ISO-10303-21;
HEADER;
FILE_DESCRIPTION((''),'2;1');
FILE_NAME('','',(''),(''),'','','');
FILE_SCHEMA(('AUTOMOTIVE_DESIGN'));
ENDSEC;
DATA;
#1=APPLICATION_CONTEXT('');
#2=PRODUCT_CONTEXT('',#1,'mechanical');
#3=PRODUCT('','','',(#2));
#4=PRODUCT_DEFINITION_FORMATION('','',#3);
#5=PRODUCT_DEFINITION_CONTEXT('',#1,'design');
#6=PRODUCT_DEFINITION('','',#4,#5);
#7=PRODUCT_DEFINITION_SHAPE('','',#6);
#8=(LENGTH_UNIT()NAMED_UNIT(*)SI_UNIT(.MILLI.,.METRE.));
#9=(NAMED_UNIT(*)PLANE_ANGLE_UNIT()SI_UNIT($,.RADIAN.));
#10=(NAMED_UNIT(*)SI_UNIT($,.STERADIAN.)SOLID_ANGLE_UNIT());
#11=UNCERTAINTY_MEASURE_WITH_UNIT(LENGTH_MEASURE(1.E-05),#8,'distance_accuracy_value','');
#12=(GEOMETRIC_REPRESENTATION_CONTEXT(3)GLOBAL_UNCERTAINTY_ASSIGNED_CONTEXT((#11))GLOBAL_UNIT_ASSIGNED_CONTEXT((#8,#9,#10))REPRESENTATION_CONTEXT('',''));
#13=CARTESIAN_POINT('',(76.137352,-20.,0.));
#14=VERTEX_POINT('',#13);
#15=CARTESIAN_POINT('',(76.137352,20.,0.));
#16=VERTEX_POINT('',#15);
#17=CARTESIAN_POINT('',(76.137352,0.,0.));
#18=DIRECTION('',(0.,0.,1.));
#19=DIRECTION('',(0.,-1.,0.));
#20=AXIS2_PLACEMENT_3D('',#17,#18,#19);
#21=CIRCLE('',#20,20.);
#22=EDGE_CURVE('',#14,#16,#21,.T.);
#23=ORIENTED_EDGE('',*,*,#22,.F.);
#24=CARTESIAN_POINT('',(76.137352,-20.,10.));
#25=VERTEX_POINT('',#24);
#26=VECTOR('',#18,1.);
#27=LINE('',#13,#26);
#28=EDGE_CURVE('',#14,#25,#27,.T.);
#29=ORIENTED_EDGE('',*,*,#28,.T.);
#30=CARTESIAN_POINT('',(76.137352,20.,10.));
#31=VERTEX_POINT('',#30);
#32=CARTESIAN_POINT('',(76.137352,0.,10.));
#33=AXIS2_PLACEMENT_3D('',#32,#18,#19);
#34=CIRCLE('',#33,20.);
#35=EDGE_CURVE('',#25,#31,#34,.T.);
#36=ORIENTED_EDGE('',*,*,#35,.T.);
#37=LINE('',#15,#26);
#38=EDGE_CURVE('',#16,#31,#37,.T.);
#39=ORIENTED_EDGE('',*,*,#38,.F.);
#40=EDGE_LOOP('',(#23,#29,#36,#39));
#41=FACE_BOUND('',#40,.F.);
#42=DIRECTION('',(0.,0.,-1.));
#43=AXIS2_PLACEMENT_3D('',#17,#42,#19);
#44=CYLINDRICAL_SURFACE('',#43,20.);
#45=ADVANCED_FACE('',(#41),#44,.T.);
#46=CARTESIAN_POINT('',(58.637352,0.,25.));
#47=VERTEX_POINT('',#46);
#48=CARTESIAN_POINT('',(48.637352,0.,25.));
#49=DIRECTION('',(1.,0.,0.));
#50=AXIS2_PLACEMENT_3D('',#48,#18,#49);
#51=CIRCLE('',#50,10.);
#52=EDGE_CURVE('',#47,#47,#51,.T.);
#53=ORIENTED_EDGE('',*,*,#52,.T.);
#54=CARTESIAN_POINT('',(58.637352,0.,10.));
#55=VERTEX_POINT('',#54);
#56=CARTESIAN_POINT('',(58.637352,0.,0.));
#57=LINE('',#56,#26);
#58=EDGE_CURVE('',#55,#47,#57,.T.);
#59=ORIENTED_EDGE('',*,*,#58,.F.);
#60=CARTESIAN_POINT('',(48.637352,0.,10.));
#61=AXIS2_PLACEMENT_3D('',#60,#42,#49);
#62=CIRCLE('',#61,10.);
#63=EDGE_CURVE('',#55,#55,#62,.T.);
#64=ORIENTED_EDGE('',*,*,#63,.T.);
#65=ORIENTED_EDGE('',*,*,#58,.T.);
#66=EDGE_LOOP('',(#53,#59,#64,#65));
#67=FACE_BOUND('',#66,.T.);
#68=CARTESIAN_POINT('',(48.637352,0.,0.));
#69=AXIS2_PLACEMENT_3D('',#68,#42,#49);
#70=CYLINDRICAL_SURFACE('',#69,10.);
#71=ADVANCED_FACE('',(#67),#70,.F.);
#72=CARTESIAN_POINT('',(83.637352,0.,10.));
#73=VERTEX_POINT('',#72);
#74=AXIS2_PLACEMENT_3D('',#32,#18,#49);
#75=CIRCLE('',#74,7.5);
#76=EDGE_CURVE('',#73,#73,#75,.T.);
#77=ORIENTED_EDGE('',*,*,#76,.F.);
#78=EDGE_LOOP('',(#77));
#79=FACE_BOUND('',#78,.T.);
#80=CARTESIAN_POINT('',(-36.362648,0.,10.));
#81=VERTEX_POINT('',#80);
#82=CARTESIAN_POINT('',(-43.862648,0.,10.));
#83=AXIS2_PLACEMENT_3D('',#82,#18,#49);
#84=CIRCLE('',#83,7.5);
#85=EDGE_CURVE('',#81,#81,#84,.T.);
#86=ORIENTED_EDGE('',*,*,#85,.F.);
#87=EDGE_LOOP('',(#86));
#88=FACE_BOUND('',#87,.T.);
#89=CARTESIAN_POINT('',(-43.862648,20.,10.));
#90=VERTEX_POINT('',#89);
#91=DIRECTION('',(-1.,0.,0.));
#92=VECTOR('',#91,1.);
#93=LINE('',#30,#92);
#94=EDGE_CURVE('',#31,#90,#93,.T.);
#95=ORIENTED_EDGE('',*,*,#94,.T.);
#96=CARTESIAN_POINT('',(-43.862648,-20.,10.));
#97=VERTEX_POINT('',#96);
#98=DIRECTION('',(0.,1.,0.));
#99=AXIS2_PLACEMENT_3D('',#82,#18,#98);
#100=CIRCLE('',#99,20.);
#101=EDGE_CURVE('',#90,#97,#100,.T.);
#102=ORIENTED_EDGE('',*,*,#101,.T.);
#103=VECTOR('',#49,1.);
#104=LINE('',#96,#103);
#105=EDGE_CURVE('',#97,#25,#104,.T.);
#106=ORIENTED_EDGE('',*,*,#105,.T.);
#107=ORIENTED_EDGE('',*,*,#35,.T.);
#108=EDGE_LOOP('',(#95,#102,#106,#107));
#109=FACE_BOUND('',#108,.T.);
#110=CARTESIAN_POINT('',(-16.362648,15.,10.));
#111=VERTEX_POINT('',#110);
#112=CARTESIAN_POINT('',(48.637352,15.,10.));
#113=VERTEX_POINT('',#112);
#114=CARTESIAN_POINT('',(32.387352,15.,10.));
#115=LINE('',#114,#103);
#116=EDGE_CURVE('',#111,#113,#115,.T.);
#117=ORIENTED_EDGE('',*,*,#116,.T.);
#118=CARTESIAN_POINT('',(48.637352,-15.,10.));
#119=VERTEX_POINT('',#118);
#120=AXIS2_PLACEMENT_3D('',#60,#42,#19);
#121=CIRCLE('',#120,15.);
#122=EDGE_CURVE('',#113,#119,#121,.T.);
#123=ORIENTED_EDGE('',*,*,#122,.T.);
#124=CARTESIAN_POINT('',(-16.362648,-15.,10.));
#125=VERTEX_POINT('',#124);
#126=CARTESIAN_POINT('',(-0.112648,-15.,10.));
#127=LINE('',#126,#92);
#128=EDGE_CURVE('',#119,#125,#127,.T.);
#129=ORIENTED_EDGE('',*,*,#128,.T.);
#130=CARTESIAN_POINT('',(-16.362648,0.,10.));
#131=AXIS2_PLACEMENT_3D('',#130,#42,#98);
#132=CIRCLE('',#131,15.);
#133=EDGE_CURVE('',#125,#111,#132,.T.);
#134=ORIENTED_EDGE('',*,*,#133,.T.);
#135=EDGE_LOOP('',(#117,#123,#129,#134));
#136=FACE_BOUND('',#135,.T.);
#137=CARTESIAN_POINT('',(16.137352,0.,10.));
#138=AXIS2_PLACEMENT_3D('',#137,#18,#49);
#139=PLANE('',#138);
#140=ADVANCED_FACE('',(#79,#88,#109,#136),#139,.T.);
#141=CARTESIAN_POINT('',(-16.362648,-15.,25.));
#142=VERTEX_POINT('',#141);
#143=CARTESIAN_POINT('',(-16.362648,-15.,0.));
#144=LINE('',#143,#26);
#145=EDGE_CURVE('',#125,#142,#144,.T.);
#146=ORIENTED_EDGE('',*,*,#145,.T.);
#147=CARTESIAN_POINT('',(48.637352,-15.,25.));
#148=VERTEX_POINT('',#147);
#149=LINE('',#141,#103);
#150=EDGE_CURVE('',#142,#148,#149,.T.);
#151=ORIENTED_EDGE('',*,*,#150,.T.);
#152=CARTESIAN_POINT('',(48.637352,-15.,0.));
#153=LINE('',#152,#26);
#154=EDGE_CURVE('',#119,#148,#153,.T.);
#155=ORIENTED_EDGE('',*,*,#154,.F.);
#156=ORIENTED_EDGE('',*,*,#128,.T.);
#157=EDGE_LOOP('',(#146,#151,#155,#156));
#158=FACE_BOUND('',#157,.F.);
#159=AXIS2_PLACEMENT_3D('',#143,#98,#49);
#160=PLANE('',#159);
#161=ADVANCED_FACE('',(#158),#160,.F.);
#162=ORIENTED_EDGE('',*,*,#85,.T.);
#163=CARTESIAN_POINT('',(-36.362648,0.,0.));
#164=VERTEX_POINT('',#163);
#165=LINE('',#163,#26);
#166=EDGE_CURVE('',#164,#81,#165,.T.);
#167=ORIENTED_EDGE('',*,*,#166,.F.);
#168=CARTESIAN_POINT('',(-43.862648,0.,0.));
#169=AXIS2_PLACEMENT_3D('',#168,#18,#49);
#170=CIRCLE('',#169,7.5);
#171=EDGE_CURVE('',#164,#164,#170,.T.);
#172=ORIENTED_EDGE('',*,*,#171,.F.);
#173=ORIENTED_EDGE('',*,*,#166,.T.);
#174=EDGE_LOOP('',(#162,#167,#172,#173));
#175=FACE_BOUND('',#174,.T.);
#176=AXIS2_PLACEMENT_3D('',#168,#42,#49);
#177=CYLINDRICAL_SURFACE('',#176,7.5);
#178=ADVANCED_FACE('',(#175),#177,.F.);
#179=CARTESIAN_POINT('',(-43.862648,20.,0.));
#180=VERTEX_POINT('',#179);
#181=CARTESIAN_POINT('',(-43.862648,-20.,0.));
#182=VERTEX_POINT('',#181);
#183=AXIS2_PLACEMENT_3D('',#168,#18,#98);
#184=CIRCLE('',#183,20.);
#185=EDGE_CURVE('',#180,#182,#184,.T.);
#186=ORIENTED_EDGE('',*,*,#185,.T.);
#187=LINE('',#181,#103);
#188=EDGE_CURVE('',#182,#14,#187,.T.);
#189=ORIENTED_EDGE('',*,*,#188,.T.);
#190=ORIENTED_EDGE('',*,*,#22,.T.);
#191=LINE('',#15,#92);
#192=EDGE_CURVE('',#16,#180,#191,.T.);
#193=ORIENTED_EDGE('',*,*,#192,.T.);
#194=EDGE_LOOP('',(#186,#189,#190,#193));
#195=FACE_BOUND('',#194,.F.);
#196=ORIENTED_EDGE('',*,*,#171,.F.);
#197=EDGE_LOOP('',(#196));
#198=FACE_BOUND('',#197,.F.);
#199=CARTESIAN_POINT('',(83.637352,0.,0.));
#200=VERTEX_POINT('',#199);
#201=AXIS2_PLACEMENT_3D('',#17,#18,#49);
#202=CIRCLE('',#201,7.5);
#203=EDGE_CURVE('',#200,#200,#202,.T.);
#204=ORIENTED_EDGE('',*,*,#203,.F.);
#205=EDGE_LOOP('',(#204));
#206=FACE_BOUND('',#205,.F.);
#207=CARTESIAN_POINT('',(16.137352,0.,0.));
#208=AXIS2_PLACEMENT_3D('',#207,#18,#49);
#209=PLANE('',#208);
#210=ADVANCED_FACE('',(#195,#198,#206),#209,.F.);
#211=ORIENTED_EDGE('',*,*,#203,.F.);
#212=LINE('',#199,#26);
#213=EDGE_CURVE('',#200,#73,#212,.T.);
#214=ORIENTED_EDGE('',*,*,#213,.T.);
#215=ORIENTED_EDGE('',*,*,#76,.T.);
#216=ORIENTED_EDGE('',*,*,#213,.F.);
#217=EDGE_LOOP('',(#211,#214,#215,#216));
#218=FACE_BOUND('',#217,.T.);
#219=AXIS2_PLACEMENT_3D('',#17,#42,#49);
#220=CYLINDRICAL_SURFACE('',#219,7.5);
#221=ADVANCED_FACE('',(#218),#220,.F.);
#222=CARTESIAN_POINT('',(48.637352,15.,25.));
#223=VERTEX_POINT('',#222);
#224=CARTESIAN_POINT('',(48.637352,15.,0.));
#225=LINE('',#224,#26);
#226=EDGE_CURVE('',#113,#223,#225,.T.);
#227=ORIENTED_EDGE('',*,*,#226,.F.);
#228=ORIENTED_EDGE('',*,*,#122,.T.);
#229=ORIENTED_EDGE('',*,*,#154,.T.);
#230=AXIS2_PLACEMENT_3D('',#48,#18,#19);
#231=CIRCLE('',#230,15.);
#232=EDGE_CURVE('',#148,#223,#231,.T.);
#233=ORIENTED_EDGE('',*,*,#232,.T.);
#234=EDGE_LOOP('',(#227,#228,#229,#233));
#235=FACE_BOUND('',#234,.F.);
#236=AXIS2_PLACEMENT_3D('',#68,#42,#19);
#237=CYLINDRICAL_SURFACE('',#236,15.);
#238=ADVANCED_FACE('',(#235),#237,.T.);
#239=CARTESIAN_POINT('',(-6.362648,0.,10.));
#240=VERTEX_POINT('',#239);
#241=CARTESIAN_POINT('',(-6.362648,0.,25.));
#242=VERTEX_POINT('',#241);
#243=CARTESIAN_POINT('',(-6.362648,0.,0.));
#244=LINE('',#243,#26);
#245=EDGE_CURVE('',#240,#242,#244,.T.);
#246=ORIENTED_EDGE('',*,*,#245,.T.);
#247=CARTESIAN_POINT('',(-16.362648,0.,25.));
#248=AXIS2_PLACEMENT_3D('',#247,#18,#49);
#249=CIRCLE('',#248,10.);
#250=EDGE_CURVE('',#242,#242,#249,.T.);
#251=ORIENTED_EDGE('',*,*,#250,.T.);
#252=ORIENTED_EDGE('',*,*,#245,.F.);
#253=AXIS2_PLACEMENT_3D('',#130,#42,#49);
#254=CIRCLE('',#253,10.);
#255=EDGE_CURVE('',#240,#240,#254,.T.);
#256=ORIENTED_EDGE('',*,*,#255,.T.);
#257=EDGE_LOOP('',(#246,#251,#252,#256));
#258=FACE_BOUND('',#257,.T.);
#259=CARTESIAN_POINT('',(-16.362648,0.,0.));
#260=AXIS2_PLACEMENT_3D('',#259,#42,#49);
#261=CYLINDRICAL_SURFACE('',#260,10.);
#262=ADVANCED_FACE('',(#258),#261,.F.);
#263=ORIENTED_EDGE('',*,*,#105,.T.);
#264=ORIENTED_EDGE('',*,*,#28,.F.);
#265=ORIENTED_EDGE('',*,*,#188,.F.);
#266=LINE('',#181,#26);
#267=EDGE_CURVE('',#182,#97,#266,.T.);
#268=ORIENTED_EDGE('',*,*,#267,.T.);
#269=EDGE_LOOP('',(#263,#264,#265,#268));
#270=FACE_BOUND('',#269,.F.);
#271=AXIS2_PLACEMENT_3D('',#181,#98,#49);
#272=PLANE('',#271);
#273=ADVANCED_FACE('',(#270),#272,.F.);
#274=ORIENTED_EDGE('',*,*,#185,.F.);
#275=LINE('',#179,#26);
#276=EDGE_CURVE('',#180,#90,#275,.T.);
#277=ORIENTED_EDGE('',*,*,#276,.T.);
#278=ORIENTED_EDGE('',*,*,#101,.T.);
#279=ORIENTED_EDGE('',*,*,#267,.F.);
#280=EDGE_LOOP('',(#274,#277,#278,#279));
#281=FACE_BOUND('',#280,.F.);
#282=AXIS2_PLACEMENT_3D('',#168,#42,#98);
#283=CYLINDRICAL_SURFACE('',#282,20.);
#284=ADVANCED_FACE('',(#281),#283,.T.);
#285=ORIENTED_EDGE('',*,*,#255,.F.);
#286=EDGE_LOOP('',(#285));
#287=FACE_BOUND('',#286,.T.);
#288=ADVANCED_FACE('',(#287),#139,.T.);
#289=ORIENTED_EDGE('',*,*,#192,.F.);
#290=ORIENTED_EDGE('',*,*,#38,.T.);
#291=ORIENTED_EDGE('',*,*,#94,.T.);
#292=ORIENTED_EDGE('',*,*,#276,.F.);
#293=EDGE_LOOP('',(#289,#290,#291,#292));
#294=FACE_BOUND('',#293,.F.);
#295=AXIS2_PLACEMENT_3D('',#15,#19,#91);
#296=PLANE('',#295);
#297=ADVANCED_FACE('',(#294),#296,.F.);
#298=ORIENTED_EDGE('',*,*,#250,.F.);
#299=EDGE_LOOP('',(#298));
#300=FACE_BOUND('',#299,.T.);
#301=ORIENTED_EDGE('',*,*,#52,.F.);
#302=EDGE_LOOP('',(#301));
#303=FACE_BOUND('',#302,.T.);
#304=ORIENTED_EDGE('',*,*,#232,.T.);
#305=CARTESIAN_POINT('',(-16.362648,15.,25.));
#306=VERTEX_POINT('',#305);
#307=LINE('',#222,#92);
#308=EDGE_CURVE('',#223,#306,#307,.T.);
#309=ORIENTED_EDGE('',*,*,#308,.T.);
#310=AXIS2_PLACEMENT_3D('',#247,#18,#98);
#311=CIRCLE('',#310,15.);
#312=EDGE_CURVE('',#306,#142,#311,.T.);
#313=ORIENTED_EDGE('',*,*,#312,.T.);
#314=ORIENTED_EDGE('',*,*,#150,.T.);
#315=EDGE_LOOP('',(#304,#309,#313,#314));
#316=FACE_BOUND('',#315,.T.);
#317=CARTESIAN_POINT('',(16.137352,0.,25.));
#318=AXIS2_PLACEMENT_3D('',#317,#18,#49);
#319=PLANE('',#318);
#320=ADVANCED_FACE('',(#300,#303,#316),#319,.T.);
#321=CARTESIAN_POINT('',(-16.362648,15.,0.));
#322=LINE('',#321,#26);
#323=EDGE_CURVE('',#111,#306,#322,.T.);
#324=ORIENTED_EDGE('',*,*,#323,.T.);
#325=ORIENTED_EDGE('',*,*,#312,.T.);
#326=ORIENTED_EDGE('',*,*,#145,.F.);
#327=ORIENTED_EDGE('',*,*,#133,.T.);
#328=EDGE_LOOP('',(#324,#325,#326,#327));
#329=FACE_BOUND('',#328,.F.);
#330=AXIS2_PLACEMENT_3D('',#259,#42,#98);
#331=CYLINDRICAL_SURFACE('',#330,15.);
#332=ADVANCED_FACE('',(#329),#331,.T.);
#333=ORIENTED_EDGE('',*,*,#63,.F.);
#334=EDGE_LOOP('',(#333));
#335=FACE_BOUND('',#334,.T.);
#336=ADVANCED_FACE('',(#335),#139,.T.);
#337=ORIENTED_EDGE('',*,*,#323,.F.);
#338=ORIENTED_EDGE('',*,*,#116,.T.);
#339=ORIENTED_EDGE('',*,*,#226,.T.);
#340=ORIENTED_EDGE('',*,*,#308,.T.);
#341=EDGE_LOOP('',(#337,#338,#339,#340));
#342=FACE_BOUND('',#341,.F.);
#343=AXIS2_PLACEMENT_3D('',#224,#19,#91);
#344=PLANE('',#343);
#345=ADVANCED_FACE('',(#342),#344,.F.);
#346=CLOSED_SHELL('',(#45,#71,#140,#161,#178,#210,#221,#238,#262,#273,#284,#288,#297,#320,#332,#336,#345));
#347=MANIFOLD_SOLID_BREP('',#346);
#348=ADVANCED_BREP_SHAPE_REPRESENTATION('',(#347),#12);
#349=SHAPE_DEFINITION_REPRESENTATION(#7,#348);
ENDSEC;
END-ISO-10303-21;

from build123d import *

# Parameters (mm, degrees)
F0_R     = 7.5
F1_DEPTH = 10
F2_R     = 10
F3_DEPTH = 25


with BuildPart() as f1:
    # F0 (on Top) → F1 (new body)
    with BuildSketch(Plane.XY):
        with BuildLine():
            Line((76.137352, 20), (-43.862648, 20))
            ThreePointArc((-43.862648, 20), (-63.862648, 0), (-43.862648, -20))
            Line((-43.862648, -20), (76.137352, -20))
            ThreePointArc((76.137352, -20), (96.137352, 0), (76.137352, 20))
        make_face()
        with Locations((-43.862648, 0)):
            Circle(F0_R, mode=Mode.SUBTRACT)
        with Locations((76.137352, 0)):
            Circle(F0_R, mode=Mode.SUBTRACT)
    extrude(amount=F1_DEPTH)

    # F2 (on Top) → F3 (join)
    with BuildSketch(Plane.XY):
        with BuildLine():
            Line((48.637352, 15), (-16.362648, 15))
            ThreePointArc((-16.362648, 15), (-31.362648, 0), (-16.362648, -15))
            Line((-16.362648, -15), (48.637352, -15))
            ThreePointArc((48.637352, -15), (63.637352, 0), (48.637352, 15))
        make_face()
        with Locations((-16.362648, 0)):
            Circle(F2_R, mode=Mode.SUBTRACT)
        with Locations((48.637352, 0)):
            Circle(F2_R, mode=Mode.SUBTRACT)
    extrude(amount=F3_DEPTH)


solid = f1.part
